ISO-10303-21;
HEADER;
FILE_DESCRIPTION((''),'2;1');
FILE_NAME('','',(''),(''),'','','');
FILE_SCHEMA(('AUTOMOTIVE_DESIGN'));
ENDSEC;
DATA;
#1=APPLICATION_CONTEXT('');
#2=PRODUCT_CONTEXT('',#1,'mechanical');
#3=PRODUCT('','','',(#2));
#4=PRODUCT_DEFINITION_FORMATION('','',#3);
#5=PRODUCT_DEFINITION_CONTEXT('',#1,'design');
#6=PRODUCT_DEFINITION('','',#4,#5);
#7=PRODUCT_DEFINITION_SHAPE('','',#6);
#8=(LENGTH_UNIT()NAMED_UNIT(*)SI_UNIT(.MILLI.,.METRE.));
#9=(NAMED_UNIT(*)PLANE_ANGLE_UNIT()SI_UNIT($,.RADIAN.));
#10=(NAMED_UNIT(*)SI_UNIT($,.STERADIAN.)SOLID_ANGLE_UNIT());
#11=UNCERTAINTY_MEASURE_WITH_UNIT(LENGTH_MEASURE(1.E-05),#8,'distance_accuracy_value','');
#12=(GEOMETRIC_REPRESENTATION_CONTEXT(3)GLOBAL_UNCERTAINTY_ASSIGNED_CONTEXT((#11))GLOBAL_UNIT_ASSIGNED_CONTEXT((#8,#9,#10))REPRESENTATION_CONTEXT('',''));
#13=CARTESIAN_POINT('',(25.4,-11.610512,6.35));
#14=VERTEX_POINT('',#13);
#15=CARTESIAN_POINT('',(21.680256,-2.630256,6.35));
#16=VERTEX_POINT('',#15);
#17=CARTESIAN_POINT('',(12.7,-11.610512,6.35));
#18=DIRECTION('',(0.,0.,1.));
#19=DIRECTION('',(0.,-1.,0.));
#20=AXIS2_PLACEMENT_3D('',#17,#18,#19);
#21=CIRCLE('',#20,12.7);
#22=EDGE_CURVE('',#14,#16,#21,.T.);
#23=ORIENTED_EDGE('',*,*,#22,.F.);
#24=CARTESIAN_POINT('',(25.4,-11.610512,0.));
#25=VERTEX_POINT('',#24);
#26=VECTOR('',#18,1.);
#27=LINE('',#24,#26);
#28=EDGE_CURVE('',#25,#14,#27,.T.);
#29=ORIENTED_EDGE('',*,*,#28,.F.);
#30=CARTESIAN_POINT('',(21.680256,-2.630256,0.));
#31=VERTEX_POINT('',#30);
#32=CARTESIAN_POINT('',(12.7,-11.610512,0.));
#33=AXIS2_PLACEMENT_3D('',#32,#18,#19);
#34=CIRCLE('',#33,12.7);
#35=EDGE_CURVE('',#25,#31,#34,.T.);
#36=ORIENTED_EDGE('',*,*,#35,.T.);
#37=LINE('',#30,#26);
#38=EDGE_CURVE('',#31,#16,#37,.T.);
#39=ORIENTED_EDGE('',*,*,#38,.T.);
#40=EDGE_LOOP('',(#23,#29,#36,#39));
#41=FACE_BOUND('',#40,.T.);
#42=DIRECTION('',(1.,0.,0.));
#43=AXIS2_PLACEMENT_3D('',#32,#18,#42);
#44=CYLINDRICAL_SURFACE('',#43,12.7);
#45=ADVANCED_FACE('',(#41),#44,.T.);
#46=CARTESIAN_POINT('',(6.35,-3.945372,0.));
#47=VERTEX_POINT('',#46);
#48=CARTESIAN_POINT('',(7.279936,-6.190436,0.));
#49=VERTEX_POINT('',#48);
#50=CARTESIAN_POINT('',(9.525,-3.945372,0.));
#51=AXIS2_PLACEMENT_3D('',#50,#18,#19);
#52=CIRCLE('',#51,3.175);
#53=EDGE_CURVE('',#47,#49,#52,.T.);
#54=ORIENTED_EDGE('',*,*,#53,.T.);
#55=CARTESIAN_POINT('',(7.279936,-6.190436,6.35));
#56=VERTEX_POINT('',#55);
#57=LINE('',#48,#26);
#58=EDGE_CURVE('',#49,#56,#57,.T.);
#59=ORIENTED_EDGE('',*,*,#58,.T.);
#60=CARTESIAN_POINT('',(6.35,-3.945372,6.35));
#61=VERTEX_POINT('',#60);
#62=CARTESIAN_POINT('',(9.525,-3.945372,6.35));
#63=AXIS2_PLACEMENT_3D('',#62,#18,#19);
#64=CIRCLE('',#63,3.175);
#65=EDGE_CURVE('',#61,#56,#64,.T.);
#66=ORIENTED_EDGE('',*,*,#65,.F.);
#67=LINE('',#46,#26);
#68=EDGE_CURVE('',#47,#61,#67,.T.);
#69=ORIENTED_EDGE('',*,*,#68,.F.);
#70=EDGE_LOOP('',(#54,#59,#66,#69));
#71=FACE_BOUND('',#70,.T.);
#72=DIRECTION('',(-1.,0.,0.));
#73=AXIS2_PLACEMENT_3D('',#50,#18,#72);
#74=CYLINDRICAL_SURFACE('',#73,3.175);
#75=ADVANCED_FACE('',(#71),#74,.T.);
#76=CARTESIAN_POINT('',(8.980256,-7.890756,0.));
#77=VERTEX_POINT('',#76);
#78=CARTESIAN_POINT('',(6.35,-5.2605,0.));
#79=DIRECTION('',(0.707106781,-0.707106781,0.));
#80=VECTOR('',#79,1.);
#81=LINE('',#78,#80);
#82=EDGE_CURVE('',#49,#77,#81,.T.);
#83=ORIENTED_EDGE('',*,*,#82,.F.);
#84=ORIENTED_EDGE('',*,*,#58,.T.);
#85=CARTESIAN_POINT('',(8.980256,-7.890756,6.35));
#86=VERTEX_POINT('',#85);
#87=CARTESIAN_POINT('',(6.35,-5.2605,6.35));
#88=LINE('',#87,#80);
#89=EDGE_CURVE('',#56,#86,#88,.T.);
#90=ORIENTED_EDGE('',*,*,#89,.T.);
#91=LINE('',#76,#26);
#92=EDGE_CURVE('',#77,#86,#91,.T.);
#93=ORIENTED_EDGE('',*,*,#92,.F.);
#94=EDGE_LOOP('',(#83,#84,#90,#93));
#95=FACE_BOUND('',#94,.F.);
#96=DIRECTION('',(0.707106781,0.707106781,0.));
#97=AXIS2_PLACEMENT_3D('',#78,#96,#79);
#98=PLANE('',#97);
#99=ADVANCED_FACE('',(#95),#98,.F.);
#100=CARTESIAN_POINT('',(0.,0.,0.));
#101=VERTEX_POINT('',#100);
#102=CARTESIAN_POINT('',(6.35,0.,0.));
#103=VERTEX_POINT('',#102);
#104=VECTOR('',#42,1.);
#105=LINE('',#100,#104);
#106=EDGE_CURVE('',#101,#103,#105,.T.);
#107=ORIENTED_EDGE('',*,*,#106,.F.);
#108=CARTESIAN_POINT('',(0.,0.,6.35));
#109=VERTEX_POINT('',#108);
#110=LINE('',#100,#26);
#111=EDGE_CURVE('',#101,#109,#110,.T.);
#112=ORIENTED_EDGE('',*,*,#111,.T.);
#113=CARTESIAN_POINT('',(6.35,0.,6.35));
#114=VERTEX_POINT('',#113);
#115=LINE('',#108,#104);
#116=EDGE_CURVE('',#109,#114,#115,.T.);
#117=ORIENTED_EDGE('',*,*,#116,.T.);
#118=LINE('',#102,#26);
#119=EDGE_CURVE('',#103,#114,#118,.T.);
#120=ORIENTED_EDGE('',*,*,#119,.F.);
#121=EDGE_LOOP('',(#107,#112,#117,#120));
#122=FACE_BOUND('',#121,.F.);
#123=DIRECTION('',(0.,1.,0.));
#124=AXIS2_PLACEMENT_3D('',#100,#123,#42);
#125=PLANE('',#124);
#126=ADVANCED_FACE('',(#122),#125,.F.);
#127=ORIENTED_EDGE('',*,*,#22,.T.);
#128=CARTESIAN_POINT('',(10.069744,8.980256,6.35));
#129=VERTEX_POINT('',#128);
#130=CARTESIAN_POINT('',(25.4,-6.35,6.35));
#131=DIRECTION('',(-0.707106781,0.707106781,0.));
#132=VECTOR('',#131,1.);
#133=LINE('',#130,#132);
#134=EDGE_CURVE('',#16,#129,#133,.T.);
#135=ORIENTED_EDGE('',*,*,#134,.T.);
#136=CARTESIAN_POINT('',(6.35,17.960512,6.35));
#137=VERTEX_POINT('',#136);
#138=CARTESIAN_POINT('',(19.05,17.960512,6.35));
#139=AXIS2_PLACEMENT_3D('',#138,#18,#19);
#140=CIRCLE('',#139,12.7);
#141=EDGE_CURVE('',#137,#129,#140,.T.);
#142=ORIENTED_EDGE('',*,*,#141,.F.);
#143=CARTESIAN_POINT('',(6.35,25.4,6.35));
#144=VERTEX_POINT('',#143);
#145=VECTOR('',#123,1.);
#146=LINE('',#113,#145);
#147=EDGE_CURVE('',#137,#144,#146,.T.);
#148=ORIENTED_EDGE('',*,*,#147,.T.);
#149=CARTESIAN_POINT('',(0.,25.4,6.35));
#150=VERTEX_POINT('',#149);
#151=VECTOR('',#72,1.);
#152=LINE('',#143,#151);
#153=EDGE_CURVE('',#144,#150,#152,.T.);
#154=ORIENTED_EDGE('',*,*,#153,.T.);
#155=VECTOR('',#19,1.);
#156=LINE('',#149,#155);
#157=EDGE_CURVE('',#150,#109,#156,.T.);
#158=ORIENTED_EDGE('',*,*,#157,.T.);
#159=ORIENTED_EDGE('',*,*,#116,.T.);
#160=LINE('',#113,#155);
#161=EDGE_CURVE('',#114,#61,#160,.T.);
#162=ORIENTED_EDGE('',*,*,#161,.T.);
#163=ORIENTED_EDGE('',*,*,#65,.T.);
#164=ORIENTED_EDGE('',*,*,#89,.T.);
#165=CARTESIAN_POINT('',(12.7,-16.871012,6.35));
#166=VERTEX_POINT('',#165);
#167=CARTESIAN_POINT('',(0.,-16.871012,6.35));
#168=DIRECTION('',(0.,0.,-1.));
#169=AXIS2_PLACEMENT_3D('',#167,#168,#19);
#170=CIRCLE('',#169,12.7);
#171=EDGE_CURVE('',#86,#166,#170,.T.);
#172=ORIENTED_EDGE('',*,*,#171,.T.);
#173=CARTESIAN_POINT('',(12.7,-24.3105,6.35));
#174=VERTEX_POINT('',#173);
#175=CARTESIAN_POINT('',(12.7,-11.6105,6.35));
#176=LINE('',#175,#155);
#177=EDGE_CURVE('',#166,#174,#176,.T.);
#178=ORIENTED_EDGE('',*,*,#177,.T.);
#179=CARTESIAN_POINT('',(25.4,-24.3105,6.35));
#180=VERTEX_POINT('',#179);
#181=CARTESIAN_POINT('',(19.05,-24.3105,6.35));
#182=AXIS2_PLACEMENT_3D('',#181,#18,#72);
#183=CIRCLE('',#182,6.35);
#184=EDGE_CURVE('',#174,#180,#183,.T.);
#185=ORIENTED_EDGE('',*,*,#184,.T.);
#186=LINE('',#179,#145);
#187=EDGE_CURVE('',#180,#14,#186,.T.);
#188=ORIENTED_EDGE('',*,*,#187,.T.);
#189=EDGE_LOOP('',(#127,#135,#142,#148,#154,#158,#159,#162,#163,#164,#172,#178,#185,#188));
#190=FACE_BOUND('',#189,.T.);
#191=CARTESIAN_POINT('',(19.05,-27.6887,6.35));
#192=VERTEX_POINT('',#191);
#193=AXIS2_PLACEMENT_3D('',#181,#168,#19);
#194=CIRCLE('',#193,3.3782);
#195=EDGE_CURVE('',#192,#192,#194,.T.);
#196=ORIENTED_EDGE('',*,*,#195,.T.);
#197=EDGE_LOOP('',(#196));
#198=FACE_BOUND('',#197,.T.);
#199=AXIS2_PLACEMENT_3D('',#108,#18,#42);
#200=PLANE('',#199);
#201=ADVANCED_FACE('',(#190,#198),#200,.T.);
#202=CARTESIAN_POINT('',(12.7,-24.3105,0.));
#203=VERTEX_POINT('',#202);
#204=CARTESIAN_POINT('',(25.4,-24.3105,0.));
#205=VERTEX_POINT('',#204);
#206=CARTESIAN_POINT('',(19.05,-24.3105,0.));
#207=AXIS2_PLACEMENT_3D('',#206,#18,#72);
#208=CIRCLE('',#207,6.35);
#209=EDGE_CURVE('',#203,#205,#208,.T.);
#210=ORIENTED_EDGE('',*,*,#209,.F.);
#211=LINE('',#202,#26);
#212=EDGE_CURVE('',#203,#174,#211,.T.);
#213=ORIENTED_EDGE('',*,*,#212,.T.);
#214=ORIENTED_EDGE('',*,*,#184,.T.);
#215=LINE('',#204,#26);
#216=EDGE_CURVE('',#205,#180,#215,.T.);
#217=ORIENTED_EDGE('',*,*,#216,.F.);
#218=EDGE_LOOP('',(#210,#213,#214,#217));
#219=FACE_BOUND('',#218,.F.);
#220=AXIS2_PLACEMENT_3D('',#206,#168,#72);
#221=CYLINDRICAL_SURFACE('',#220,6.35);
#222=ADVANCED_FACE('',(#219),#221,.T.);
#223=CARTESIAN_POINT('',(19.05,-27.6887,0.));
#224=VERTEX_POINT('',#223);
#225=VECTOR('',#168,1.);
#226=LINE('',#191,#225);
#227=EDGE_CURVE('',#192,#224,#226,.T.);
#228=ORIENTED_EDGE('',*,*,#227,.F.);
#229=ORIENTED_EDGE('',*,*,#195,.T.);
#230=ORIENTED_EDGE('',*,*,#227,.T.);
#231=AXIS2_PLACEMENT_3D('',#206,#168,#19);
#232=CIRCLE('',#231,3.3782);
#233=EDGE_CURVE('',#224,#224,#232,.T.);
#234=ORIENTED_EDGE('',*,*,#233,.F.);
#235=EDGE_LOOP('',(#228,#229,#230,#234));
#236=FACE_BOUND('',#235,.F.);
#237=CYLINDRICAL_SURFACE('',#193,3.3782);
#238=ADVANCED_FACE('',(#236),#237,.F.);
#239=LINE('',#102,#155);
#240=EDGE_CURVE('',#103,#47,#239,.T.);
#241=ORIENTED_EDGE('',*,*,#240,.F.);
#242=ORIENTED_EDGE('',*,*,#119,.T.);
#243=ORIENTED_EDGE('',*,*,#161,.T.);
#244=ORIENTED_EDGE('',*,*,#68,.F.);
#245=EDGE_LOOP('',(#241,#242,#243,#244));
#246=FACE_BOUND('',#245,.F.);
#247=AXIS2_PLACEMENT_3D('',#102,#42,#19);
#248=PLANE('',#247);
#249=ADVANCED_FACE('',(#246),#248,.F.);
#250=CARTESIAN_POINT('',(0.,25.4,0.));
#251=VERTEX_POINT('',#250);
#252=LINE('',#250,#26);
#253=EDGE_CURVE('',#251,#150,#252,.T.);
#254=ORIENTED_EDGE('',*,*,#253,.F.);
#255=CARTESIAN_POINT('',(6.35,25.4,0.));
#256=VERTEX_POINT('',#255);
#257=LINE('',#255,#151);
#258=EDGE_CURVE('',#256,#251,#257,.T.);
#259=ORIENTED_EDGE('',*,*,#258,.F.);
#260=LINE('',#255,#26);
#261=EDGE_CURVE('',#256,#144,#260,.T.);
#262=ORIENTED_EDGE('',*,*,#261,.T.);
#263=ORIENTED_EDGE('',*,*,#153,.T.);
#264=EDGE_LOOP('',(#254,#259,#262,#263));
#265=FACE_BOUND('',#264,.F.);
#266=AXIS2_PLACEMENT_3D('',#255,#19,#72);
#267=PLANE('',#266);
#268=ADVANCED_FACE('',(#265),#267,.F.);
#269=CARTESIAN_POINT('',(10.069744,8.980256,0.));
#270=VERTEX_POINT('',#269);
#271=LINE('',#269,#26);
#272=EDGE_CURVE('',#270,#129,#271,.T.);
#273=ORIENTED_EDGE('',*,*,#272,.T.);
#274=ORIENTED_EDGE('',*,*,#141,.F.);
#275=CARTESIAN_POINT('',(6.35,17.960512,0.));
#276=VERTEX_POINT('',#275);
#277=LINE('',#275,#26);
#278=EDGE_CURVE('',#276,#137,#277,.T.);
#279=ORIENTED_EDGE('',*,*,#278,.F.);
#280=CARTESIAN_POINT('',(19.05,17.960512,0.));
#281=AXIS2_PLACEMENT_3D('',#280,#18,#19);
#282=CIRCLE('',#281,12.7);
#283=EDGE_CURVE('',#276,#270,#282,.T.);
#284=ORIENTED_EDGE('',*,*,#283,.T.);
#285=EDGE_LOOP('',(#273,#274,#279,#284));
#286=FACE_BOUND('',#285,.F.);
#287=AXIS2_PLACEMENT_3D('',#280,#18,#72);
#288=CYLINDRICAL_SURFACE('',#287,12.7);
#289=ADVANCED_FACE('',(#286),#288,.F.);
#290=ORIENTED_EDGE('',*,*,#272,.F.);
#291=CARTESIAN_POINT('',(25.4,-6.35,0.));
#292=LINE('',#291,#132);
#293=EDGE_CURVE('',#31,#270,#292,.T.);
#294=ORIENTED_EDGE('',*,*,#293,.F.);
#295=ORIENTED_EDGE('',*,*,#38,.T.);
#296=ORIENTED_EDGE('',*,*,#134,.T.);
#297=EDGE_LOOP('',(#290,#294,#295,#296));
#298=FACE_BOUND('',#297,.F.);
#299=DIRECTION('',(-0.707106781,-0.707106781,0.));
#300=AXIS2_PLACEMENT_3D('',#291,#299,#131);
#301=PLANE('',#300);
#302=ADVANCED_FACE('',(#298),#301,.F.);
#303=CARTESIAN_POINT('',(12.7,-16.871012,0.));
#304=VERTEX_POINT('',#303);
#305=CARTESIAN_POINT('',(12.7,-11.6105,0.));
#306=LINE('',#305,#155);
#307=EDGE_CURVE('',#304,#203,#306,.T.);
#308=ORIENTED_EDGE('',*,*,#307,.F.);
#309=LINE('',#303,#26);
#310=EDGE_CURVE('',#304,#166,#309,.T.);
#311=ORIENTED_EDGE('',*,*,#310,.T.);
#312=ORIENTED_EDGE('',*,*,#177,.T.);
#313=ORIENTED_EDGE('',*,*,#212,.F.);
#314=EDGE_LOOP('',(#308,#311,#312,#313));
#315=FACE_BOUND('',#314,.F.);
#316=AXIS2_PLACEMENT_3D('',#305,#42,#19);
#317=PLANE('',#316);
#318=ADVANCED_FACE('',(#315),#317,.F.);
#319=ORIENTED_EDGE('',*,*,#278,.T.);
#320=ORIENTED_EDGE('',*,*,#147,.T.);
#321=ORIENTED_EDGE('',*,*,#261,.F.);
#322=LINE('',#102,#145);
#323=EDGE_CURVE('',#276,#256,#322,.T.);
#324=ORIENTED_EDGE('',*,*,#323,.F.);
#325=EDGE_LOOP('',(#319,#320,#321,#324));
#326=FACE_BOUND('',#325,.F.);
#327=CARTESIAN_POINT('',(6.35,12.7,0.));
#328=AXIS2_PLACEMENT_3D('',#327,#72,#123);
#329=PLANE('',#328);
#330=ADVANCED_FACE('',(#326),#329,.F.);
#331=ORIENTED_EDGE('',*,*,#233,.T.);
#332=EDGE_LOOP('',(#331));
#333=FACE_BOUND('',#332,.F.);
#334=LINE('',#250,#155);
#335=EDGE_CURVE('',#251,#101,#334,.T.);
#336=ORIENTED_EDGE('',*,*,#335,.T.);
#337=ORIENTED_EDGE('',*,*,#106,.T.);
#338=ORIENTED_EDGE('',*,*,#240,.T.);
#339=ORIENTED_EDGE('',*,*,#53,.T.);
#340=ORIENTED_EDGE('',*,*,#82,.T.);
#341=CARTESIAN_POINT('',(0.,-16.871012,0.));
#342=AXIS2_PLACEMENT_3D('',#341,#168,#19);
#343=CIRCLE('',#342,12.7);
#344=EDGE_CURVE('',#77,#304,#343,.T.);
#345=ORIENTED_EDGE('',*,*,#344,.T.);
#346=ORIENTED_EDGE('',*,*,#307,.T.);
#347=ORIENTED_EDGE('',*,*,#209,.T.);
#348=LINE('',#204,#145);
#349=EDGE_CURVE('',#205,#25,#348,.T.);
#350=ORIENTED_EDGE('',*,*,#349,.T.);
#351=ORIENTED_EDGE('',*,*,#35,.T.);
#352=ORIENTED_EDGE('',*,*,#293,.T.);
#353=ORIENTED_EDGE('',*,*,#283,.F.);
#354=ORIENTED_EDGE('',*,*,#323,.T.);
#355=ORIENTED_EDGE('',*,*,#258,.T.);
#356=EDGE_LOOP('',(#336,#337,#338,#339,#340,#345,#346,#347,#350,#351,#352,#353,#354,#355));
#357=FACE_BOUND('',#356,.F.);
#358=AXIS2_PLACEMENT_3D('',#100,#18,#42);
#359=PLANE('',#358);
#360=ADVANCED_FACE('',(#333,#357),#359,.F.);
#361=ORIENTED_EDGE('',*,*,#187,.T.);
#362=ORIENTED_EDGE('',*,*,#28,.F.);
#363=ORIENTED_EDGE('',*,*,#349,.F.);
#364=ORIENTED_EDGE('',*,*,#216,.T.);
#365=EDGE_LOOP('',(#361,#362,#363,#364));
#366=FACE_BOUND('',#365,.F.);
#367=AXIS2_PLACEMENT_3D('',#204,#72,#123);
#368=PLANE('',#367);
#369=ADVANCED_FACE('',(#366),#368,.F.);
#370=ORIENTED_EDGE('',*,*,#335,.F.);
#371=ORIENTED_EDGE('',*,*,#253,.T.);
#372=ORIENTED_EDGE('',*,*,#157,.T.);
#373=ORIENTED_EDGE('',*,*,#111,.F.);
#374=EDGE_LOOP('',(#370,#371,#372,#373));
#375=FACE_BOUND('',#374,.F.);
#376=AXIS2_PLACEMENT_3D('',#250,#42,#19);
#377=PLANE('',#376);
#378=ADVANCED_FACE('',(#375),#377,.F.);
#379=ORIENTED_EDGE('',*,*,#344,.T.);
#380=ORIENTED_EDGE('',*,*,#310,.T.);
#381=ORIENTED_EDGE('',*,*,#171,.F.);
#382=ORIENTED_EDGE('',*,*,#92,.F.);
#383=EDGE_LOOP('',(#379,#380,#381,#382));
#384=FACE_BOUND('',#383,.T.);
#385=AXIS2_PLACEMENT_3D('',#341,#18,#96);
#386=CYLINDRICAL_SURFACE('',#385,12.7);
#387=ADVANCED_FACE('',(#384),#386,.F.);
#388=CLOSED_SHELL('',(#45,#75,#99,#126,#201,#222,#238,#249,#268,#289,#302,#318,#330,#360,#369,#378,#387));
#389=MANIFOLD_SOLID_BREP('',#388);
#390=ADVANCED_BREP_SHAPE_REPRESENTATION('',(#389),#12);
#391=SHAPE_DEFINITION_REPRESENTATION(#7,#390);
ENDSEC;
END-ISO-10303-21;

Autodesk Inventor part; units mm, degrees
ref_plane "YZ Plane" through (0, 0, 0) normal (1, 0, 0) x (0, 1, 0)
ref_plane "XZ Plane" through (0, 0, 0) normal (0, 1, 0) x (-1, 0, 0)
ref_plane "XY Plane" through (0, 0, 0) normal (0, 0, 1) x (1, 0, 0)
sketch "Sketch1" plane through (0, 0, 0) normal (0, 0, 1) x (1, 0, 0)
  line L0 (0, 0) -> (6.35, 0)
  line L1 (6.35, 0) -> (6.35, 25.4)
  line L2 (6.35, 25.4) -> (0, 25.4)
  line L3 (0, 25.4) -> (0, 0)
  line L4 (6.35, 0) -> (6.35, -5.2605)
  line L5 (6.35, -5.2605) -> (12.7, -11.6105)
  line L6 (12.7, -11.6105) -> (12.7, -24.3105)
  arc A0 (12.7, -24.3105) -> (25.4, -24.3105) centre (19.05, -24.3105) ccw
  line L7 (25.4, -24.3105) -> (25.4, -6.35)
  line L8 (25.4, -6.35) -> (6.35, 12.7)
  dimension "d0" = 6.35
  dimension "d1" = 25.4
  dimension "d2" = 6.35
  dimension "d3" = 12.7
  dimension "d4" = 12.7
  dimension "d5" = 45
extrude "Extrusion1" add sketch "Sketch1" along normal blind 6.35
fillet "Fillet1" radius 3.175 1 edges at (6.35, -5.2605, 3.175)
fillet "Fillet2" radius 12.7 3 edges at (12.7, -11.6105, 3.175) (25.4, -6.35, 3.175) (6.35, 12.7, 3.175)
sketch "Sketch2" plane through (0, 0, 6.35) normal (0, 0, 1) x (1, 0, 0)
  arc A0 (12.7, -24.3105) -> (25.4, -24.3105) centre (19.05, -24.3105) ccw projected
hole "Hole1" at (19.05, -24.3105, 6.35) direction (0, 0, -1) diameter 6.7564 end through all clearance for "Socket Head Cap Screw" size "1/4" standard "Ansi Unified Screw Threads"
ref_plane "Work Plane1" through (11.7701, -1.7003, 6.35) normal (-0.7071, -0.7071, 0) x (-0.7071, 0.7071, 0)
properties part number "Mirror"
